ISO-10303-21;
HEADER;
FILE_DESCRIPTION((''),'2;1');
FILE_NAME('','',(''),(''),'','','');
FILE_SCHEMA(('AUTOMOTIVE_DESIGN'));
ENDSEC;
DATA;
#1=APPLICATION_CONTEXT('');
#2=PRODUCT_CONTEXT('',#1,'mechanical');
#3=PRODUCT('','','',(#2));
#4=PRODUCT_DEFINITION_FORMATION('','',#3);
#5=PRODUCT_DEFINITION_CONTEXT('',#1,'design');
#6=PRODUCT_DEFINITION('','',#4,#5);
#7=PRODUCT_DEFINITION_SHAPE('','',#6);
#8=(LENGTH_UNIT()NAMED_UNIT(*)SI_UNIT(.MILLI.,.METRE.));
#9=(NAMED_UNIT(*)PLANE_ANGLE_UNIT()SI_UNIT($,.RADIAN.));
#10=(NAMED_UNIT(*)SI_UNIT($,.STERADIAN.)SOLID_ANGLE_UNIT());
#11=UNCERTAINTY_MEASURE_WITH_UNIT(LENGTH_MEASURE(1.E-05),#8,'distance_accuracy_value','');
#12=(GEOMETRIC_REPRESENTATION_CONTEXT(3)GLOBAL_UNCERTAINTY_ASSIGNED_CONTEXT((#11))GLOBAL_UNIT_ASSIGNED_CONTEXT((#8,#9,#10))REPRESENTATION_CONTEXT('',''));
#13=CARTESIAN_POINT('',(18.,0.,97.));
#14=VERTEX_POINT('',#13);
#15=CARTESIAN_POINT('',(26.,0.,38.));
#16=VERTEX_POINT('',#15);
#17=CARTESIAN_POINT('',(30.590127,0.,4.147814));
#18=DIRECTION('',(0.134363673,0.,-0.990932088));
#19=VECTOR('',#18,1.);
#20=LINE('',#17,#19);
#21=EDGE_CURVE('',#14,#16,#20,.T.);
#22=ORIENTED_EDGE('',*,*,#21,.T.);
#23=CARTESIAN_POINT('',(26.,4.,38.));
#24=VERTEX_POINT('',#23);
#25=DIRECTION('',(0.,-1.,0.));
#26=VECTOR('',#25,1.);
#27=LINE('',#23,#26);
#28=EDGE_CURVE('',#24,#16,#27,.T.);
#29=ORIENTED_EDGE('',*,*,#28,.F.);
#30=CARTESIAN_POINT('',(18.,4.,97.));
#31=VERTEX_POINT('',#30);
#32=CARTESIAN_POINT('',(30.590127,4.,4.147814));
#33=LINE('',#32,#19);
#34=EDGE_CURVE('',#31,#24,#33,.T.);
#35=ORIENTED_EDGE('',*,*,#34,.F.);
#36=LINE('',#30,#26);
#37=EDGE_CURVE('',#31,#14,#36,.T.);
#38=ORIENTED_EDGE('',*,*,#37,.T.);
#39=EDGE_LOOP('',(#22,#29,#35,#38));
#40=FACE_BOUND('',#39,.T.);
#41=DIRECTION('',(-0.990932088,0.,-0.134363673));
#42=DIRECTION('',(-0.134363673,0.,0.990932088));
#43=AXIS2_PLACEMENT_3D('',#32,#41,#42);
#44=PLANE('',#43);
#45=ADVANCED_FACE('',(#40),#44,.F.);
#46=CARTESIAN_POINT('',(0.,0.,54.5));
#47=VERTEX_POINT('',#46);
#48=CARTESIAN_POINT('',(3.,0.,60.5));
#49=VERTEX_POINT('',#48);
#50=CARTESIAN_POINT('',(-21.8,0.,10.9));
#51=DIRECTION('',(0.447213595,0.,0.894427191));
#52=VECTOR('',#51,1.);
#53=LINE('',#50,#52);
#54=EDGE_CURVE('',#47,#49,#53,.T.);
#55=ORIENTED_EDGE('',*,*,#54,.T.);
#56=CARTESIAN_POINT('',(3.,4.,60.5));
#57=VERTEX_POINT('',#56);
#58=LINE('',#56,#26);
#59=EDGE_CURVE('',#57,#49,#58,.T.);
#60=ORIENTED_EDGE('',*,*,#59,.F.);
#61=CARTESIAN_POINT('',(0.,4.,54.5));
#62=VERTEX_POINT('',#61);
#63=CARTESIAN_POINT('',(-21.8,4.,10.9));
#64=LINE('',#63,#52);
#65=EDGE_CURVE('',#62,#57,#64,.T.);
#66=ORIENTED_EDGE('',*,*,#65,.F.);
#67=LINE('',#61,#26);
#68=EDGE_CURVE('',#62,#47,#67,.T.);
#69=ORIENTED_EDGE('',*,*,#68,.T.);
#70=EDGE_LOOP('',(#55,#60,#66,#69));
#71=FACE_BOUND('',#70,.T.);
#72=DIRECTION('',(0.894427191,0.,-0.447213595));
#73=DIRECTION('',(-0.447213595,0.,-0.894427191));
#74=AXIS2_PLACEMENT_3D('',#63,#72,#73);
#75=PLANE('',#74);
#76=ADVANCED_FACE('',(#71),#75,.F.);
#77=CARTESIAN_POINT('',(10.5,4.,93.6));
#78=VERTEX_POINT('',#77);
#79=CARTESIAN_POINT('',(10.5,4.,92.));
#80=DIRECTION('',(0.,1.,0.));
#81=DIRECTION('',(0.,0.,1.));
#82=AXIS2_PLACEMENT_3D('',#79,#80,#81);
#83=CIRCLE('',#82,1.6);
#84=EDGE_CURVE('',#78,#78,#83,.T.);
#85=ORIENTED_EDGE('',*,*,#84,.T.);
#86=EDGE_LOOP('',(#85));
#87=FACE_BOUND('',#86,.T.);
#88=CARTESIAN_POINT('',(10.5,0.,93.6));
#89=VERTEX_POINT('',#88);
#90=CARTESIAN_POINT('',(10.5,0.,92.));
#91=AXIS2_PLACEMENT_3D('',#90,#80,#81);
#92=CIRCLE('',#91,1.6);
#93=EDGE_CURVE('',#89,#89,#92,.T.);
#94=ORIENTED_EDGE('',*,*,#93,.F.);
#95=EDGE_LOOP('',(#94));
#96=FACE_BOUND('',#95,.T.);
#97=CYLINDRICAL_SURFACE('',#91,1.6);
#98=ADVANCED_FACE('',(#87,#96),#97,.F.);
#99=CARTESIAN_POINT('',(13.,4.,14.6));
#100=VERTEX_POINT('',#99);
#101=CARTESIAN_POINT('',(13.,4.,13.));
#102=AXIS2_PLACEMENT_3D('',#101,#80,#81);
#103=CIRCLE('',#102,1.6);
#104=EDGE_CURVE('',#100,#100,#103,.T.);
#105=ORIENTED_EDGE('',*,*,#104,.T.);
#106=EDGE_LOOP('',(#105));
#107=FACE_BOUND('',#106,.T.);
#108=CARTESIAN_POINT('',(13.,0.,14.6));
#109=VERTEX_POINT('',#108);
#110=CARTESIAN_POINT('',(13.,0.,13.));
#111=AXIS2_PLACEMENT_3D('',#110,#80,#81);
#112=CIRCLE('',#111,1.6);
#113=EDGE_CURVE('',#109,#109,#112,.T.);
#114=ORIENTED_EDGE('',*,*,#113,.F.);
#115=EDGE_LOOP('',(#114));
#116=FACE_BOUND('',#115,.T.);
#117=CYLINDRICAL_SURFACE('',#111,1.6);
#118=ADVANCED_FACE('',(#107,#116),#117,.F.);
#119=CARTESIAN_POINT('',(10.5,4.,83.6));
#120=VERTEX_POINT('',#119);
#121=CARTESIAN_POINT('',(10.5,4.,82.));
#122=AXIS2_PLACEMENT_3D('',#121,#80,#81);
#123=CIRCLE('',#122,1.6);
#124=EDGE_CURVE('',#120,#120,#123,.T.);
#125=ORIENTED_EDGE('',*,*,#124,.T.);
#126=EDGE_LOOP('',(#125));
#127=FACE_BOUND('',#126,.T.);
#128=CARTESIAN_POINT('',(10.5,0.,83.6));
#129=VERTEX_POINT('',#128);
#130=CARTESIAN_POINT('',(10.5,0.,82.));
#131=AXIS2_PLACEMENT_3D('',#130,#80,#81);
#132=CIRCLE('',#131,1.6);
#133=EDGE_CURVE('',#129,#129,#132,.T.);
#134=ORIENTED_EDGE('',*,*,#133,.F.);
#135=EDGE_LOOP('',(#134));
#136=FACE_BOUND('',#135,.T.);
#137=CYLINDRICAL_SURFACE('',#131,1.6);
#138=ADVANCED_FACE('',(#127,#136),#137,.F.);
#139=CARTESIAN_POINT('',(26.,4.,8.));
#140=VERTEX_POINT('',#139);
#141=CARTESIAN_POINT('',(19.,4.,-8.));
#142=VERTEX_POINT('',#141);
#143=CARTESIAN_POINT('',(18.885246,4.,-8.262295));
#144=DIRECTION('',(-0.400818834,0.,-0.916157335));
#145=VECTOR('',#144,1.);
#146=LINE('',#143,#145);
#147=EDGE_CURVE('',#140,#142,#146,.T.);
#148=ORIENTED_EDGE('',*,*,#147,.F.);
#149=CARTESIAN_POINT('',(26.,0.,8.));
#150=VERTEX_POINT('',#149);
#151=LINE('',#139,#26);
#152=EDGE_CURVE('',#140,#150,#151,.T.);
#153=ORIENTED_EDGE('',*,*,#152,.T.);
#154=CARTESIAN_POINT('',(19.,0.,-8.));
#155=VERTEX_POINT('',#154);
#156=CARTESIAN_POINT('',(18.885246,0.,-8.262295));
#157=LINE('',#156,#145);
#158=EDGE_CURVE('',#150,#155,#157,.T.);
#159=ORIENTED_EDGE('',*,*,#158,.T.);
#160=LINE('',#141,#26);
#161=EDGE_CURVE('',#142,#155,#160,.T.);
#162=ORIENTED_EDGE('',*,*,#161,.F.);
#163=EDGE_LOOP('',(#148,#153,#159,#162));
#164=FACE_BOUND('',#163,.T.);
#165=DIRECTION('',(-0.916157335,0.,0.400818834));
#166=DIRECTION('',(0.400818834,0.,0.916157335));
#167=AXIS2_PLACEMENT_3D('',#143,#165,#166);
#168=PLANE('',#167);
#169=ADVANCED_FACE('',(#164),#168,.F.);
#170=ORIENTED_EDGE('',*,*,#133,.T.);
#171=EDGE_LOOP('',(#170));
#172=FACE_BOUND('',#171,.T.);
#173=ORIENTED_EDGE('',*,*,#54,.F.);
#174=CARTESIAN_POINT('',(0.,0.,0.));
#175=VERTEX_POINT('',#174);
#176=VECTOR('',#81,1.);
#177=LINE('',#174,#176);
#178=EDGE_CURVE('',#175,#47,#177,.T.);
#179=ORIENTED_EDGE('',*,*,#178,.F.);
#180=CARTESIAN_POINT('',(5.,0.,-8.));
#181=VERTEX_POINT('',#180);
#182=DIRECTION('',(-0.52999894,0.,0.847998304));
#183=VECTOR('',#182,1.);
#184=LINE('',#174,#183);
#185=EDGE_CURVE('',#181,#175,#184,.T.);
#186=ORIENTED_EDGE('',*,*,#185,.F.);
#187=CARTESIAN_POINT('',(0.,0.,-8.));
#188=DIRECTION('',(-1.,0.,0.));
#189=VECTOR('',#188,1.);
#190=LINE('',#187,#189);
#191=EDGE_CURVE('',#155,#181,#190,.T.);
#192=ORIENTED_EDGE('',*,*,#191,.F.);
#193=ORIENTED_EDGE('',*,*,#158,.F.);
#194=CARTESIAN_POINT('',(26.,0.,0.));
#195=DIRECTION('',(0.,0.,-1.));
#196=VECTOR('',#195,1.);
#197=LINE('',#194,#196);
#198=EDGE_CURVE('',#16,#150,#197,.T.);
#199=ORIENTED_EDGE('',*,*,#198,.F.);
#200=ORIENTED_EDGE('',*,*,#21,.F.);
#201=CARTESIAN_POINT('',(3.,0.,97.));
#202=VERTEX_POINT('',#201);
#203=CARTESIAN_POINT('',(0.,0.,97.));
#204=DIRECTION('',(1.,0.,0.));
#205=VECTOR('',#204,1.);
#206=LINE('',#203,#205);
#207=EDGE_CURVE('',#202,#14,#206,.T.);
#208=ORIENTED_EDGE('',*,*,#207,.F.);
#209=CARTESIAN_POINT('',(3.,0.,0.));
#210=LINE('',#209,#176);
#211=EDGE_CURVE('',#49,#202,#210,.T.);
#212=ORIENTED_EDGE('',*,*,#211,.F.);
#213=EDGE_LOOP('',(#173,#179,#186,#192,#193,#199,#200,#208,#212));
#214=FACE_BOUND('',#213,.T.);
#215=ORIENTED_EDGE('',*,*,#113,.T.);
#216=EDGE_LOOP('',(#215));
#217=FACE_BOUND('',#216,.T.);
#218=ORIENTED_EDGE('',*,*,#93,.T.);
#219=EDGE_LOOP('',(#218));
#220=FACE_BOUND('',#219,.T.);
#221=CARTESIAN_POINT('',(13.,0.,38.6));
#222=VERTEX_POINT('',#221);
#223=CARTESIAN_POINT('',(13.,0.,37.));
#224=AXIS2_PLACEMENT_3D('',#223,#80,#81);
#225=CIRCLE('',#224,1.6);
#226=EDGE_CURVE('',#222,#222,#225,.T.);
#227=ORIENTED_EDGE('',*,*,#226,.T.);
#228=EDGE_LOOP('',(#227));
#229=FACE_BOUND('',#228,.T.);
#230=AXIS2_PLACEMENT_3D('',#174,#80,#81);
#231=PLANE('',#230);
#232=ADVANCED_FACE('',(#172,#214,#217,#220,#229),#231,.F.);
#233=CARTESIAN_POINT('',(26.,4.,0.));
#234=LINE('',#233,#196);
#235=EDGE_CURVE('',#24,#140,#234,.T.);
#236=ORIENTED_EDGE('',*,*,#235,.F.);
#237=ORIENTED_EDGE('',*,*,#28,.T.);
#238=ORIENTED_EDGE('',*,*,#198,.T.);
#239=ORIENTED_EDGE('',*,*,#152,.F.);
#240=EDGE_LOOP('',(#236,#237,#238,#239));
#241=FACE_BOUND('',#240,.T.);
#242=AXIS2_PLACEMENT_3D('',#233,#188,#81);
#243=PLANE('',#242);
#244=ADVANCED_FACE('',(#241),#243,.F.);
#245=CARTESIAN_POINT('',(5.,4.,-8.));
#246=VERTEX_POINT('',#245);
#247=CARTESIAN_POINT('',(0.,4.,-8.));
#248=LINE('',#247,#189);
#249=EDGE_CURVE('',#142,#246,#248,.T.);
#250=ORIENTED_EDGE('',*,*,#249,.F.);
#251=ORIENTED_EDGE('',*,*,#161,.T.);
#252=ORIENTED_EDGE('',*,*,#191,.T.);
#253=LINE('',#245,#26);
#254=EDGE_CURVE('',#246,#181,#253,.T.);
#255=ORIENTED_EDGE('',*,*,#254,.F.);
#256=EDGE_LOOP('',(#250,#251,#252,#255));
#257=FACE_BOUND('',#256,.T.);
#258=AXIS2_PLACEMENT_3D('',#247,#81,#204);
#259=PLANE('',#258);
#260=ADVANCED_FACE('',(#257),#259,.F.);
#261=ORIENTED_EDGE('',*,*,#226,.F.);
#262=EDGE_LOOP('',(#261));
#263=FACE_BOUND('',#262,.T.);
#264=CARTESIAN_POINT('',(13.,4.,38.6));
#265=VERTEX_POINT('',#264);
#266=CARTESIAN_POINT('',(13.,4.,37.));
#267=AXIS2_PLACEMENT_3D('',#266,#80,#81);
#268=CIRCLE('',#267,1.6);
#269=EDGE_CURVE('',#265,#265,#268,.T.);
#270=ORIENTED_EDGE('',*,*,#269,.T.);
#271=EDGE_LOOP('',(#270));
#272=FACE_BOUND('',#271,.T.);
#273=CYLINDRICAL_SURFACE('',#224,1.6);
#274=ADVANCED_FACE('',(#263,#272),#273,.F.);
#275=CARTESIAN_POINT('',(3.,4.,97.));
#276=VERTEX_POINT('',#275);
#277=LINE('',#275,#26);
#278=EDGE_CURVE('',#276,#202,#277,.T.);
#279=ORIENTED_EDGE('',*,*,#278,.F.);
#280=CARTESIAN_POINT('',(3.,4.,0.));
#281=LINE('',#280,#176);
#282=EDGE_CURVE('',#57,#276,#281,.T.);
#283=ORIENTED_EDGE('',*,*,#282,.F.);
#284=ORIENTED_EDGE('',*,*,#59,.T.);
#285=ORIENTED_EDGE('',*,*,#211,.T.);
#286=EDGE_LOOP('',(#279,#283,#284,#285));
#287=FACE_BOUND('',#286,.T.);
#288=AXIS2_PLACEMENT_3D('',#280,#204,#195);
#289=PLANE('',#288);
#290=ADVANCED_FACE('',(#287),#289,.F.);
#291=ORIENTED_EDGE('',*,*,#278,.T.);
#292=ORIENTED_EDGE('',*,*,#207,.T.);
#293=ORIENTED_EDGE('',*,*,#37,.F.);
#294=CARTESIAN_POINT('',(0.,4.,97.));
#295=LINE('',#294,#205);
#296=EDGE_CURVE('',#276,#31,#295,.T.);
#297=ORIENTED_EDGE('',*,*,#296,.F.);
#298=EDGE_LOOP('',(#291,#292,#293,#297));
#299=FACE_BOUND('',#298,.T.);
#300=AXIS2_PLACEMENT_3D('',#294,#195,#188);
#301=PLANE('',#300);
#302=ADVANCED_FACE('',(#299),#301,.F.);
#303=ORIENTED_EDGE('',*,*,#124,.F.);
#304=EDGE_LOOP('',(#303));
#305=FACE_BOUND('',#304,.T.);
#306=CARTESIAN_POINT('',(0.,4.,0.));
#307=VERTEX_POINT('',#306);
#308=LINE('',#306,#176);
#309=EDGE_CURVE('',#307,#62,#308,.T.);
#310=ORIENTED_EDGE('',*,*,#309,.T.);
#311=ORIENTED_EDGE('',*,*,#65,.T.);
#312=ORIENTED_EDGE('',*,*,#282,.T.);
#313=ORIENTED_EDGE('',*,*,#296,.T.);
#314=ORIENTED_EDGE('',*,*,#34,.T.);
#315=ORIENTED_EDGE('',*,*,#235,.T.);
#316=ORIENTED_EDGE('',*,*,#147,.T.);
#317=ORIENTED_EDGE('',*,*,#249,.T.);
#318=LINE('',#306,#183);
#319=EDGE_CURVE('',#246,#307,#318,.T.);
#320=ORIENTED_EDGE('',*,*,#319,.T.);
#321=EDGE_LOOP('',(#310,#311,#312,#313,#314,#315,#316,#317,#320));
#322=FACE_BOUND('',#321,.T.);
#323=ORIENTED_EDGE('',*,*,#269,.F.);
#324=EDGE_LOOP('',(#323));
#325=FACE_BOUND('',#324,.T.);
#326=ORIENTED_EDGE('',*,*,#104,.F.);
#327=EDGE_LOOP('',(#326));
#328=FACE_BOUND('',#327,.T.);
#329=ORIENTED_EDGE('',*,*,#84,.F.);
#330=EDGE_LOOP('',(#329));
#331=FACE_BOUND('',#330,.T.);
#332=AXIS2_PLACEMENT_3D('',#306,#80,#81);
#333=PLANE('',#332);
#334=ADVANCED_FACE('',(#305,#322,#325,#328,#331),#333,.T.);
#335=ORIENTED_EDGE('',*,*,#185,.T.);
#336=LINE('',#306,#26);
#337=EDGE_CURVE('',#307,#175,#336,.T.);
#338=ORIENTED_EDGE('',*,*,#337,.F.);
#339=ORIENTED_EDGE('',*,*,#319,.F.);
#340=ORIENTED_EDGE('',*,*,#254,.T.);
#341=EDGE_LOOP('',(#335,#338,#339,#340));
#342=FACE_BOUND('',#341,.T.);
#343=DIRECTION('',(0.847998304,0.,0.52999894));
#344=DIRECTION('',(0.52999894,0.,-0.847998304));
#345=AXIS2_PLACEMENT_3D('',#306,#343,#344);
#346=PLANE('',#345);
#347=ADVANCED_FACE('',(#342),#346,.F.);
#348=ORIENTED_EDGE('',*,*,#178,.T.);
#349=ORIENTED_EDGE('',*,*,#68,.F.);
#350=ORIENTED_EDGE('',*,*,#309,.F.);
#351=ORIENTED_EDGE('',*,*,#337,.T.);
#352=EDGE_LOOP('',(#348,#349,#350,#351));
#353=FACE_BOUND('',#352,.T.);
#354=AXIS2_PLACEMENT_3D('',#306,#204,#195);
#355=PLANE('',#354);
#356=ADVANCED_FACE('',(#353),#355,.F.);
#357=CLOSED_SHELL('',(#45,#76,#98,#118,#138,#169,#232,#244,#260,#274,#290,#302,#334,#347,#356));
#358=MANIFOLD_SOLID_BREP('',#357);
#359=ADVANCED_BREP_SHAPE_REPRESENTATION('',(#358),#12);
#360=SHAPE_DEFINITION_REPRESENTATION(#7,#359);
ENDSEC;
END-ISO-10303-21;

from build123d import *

# Parameters (mm, degrees)
BOSS_EXTRUDE1_DEPTH = 4
SKETCH2_R           = 1.6
CUT_EXTRUDE1_DEPTH  = 101.503731274


with BuildPart() as part:
    # Sketch1 → Boss-Extrude1 (new body)
    with BuildSketch(Plane(origin=(0, 0, 0), x_dir=(1, 0, 0), z_dir=(0, 1, 0))):
        Polygon((0, 0), (0, -54.5), (3, -60.5), (3, -97), (18, -97), (26, -38), (26, -8), (19, 8), (5, 8), align=None)
    extrude(amount=BOSS_EXTRUDE1_DEPTH)

    # Sketch2 → Cut-Extrude1 (cut, through all)
    with BuildSketch(Plane(origin=(0, 4, 0), x_dir=(1, 0, 0), z_dir=(0, 1, 0))):
        with Locations(Location((13, -13, 0), (0, 0, 270))):
            Circle(SKETCH2_R)
        with Locations(Location((13, -37, 0), (0, 0, 270))):
            Circle(SKETCH2_R)
        with Locations(Location((10.5, -82, 0), (0, 0, 270))):
            Circle(SKETCH2_R)
        with Locations(Location((10.5, -92, 0), (0, 0, 270))):
            Circle(SKETCH2_R)
    extrude(amount=-CUT_EXTRUDE1_DEPTH, mode=Mode.SUBTRACT)


solid = part.part
